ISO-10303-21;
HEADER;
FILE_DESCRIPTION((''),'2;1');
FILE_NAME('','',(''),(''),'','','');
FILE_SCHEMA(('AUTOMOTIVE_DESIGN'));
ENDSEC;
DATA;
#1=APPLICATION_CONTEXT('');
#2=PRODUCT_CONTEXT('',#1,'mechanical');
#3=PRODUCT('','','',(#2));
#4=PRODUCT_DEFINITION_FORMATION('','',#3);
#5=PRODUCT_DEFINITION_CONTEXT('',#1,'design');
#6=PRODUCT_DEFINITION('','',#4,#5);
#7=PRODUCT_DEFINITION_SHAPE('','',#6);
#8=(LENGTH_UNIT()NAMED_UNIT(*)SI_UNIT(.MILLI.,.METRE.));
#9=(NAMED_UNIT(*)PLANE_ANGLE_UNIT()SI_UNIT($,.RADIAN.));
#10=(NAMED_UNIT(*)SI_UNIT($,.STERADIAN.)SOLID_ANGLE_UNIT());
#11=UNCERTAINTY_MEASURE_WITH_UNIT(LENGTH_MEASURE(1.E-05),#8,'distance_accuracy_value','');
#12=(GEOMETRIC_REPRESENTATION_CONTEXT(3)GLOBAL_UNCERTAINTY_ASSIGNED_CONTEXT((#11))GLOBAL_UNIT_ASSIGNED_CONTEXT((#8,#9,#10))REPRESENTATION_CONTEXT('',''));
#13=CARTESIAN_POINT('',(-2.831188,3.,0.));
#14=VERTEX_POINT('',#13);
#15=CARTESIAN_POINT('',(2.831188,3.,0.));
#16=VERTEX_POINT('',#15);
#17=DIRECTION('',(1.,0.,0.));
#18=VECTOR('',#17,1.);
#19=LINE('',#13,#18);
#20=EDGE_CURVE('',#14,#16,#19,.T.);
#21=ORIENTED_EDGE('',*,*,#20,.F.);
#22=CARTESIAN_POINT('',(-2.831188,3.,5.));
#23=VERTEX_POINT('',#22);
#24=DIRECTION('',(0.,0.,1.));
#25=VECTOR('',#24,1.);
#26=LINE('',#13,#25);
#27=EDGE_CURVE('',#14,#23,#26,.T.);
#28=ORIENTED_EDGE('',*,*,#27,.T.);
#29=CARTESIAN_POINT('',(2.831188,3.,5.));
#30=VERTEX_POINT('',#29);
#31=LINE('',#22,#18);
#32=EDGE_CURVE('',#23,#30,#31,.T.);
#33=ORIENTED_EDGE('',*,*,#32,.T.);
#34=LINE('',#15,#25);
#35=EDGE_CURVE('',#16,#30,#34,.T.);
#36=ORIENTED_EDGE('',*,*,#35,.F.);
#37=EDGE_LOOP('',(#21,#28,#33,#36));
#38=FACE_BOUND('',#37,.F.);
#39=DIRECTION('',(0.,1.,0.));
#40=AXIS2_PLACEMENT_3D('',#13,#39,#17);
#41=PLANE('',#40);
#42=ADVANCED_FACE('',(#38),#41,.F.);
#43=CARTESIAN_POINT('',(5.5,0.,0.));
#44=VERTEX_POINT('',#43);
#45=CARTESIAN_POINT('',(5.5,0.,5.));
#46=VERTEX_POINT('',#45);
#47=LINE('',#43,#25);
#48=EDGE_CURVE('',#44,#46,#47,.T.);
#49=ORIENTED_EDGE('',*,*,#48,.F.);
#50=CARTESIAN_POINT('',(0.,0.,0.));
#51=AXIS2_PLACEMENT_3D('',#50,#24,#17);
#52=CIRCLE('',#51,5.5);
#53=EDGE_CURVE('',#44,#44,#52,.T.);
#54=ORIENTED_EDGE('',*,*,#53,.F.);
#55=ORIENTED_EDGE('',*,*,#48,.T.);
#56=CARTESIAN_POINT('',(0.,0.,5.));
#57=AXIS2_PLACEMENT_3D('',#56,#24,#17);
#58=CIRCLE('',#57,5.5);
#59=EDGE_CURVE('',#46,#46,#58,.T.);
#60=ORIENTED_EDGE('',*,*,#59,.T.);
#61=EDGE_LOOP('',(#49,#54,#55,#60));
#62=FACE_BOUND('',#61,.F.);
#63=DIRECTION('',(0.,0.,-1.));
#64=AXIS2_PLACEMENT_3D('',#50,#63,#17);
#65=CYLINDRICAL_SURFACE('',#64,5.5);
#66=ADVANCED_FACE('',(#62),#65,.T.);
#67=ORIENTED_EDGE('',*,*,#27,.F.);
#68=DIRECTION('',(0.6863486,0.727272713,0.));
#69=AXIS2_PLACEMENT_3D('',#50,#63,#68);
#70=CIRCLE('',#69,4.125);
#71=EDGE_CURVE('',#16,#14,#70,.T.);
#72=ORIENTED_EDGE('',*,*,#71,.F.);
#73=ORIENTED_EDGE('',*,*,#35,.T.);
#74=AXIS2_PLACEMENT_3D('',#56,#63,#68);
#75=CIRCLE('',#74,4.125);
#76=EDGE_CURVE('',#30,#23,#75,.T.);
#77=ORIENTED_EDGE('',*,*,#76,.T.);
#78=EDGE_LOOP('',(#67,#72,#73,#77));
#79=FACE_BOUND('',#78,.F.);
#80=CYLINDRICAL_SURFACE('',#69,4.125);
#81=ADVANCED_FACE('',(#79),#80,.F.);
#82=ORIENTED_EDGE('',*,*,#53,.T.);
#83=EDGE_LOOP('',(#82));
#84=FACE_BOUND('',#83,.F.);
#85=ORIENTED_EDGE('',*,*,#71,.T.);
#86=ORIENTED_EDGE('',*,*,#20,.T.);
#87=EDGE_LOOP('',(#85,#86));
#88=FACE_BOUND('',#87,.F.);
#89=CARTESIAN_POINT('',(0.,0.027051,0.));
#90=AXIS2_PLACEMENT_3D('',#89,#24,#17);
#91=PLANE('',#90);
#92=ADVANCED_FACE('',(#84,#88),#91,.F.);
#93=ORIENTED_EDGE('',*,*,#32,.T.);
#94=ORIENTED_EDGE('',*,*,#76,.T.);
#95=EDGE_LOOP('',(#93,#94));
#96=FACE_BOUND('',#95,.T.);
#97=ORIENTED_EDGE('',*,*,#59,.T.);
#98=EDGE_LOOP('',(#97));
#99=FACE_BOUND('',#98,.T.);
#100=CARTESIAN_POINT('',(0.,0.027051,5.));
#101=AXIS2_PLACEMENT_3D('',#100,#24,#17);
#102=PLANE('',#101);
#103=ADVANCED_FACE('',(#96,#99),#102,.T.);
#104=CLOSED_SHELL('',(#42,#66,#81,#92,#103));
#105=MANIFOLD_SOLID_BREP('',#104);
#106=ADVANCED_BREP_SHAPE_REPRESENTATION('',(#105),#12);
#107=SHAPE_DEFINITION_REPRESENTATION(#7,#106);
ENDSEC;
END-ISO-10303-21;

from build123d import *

# Parameters (mm, degrees)
F0_R     = 5.5
F1_DEPTH = 5


with BuildPart() as f1:
    # F0 (on Top) → F1 (new body)
    with BuildSketch(Plane.XY):
        with BuildLine():
            Line((2.831188, 3), (0, 3))
            Line((0, 3), (-2.831188, 3))
            ThreePointArc((-2.831188, 3), (0, -4.125), (2.831188, 3))
        make_face()
        Circle(F0_R)
        with BuildLine():
            Line((-2.831188, 3), (0, 3))
            Line((0, 3), (2.831188, 3))
            ThreePointArc((2.831188, 3), (0, -4.125), (-2.831188, 3))
        make_face(mode=Mode.SUBTRACT)
    extrude(amount=F1_DEPTH)


solid = f1.part
